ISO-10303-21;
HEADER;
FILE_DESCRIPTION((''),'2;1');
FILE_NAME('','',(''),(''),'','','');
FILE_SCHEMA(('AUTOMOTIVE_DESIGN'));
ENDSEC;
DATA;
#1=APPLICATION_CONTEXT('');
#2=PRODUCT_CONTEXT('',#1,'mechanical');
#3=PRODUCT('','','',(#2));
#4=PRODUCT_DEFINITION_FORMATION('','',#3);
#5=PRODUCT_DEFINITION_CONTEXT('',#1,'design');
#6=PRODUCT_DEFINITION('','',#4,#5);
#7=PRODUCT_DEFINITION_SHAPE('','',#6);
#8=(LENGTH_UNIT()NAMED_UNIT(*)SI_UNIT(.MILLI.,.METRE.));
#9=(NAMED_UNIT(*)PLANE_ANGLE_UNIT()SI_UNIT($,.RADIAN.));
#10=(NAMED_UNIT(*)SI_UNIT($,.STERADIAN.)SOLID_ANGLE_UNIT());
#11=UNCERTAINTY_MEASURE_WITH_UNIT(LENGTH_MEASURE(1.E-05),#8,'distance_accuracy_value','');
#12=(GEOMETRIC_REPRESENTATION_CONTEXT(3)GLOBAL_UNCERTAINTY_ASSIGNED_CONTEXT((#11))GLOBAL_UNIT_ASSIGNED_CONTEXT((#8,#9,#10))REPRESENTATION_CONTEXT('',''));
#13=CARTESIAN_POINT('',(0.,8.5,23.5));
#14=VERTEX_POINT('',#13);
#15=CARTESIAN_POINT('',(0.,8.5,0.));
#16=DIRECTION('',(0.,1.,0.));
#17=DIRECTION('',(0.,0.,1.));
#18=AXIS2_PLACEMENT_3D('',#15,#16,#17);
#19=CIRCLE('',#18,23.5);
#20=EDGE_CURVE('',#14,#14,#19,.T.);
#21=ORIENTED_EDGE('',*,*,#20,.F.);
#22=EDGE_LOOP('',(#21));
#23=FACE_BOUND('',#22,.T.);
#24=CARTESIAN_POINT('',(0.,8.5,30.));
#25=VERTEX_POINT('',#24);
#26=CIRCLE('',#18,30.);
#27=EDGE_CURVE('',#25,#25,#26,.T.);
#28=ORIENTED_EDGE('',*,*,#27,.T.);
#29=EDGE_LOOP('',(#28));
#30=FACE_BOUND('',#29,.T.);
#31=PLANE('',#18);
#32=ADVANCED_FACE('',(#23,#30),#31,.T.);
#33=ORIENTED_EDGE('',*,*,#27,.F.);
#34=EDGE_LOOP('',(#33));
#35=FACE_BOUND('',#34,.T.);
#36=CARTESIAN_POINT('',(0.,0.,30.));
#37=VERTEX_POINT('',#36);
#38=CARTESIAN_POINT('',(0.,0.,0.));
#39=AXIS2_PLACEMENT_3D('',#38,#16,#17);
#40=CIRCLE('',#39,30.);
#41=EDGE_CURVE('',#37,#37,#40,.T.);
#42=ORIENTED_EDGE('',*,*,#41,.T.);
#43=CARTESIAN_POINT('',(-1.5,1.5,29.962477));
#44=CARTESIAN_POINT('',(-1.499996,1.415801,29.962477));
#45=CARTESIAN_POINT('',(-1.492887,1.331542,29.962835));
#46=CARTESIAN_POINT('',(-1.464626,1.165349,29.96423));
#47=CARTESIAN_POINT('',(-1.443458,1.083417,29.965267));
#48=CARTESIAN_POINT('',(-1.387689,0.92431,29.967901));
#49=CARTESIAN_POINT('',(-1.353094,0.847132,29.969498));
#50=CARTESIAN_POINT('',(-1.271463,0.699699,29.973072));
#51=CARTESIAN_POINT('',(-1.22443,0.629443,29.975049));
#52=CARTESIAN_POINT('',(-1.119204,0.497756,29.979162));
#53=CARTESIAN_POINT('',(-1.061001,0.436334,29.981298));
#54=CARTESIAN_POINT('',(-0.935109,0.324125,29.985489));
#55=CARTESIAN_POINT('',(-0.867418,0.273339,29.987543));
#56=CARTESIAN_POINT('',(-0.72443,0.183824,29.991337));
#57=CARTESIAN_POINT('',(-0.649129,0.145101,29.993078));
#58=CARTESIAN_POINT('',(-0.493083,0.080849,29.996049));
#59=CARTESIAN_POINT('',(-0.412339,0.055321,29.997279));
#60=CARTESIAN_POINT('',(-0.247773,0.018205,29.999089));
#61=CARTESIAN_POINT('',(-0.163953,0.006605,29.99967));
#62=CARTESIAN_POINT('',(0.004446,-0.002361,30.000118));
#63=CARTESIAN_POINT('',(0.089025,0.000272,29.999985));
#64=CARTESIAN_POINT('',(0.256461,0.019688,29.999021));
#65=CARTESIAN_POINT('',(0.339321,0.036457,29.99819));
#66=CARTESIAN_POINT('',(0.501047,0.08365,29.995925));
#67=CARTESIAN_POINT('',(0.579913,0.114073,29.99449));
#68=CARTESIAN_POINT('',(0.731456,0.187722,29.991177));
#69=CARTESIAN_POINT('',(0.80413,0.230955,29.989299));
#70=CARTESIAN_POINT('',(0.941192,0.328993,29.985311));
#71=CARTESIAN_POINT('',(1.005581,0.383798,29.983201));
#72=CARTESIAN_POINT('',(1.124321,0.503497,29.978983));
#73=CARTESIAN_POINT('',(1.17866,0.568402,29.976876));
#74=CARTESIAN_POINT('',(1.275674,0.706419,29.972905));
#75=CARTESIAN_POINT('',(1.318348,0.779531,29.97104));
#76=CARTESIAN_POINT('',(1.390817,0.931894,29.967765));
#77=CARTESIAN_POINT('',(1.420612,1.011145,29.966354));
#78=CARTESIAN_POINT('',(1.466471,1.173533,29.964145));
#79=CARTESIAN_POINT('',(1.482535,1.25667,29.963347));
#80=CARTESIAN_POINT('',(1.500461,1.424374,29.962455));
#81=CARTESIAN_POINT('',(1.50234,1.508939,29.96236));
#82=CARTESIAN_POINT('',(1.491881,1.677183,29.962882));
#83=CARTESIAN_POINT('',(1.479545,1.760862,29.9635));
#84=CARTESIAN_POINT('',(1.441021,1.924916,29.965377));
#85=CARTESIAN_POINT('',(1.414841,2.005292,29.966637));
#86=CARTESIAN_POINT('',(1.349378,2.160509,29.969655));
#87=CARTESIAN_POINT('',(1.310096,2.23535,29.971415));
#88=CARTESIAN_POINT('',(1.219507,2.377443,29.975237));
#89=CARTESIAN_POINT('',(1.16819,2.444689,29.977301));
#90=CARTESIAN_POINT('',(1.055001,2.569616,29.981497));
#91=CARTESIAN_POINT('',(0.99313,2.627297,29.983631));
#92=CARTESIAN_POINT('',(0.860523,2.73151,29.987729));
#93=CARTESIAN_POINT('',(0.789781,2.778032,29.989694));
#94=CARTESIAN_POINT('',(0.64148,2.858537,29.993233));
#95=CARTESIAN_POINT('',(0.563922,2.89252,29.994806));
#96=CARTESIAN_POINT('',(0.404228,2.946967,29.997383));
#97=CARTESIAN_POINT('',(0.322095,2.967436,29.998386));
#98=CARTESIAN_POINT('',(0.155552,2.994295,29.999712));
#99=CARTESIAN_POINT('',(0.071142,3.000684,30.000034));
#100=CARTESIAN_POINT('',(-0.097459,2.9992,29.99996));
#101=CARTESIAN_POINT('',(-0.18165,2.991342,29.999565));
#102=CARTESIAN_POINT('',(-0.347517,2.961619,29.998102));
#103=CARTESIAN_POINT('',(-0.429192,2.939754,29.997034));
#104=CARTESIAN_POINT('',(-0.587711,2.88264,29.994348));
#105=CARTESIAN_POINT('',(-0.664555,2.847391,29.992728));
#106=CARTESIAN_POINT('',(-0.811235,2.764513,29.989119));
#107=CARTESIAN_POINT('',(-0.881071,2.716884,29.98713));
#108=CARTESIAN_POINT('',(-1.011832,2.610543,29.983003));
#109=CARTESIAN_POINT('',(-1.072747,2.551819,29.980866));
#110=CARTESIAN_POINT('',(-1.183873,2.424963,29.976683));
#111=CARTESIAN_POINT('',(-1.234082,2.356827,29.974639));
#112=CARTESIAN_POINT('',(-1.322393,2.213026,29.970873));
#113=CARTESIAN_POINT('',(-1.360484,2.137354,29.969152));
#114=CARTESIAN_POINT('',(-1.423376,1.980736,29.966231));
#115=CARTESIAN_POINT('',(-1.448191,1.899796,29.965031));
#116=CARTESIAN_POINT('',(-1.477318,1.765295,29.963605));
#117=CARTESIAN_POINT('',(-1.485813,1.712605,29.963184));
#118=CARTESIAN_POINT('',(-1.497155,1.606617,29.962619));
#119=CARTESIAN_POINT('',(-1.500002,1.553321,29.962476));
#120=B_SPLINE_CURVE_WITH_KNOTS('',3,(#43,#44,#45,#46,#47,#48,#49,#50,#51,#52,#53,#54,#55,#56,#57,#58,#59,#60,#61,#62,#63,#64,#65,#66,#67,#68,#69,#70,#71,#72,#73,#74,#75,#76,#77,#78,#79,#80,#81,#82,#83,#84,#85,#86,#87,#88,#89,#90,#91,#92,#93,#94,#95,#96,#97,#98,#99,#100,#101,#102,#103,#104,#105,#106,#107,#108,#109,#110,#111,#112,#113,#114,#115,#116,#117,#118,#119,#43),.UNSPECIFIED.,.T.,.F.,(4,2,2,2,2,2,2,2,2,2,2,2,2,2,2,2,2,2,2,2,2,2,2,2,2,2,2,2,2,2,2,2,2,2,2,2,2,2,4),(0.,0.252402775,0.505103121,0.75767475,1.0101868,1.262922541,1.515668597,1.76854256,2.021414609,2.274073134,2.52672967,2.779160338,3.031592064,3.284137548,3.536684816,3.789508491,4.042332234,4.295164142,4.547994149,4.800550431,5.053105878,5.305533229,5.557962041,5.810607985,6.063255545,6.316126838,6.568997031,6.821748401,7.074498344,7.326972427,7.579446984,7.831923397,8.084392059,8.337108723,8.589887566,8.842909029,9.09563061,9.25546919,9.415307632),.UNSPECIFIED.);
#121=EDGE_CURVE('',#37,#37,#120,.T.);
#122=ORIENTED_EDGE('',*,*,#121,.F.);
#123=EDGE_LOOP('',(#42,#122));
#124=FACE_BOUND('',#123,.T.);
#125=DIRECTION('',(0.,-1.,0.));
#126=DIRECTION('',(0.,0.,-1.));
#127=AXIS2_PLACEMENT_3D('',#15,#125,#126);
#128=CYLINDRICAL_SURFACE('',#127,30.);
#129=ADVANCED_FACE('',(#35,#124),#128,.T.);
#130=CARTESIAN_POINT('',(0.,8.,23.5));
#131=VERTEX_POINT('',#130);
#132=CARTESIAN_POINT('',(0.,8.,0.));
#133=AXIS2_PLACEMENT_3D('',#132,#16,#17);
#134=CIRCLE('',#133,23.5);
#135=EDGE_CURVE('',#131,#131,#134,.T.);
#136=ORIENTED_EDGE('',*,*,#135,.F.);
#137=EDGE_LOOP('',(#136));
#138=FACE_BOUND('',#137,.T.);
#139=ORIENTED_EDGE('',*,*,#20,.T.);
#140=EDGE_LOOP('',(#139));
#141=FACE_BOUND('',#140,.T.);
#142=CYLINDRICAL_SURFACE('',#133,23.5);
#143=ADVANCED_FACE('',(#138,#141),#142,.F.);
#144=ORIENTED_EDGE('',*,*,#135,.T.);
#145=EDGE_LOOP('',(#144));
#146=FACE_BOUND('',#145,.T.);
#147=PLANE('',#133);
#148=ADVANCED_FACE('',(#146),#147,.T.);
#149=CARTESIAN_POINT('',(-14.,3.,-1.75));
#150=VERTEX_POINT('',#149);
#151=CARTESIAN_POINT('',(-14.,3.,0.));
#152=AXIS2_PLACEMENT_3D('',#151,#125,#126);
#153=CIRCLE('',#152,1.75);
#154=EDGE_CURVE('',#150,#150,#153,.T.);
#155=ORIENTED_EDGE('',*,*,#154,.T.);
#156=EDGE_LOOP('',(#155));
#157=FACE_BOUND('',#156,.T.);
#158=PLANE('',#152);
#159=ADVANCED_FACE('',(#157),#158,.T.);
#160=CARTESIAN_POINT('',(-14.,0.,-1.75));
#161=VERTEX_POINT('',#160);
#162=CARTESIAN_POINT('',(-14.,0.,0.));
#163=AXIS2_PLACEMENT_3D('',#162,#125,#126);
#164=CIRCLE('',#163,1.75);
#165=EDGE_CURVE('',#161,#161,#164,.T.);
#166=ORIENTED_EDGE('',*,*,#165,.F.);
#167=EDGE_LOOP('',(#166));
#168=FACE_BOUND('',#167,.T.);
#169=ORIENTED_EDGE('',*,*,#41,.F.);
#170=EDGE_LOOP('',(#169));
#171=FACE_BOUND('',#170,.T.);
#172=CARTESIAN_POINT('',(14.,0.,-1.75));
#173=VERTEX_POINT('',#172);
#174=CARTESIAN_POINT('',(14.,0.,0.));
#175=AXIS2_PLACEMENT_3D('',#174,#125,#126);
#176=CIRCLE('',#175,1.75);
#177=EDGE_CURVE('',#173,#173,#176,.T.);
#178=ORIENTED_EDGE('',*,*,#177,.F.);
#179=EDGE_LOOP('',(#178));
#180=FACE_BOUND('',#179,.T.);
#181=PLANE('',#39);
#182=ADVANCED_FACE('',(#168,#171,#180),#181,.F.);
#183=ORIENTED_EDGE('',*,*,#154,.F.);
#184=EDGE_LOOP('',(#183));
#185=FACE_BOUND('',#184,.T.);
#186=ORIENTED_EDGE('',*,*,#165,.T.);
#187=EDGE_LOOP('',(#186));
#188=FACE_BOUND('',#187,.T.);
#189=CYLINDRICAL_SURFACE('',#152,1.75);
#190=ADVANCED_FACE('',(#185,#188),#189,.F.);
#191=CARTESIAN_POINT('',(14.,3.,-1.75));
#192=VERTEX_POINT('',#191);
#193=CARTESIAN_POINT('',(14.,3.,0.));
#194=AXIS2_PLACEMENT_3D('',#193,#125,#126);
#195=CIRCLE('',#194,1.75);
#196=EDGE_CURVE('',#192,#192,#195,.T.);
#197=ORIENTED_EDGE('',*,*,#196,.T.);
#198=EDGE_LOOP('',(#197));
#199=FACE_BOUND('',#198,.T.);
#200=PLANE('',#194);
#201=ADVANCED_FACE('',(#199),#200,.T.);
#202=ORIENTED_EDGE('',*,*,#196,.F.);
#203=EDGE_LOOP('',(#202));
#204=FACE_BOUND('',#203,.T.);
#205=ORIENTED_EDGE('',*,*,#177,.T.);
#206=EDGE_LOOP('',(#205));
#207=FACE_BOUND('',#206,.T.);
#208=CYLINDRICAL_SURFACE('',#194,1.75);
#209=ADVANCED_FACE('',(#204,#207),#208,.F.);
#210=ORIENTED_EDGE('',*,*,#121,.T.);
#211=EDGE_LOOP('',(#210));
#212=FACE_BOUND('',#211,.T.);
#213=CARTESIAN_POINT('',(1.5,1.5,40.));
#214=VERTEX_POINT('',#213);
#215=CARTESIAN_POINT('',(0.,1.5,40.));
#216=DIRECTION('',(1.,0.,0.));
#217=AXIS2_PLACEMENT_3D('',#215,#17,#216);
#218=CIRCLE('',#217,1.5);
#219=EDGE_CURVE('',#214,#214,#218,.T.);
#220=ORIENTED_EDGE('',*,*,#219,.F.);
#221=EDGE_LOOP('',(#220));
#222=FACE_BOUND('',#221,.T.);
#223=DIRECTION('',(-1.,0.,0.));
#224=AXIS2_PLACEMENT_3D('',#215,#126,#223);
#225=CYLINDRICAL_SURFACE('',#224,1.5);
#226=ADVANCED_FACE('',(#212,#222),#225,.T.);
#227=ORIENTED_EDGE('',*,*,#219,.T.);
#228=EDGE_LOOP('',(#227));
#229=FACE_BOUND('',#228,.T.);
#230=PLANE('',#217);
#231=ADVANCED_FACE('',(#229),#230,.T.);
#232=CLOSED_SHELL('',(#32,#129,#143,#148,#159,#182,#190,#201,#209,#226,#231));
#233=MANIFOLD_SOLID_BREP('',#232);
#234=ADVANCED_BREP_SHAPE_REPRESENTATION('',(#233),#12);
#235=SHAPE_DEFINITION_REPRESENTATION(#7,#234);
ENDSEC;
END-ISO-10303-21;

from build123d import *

# Parameters (mm, degrees)
SKETCH_1_R          = 30
EXTRUDE_1_DEPTH     = 8.5
SKETCH_2_R          = 23.5
CUT_EXTRUDE_1_DEPTH = 0.5
SKETCH_3_R          = 1.5
EXTRUDE_2_DEPTH     = 15
SKETCH_4_R          = 1.75
CUT_EXTRUDE_2_DEPTH = 3


with BuildPart() as part:
    # 草图1 → 凸台-拉伸1 (new body)
    with BuildSketch(Plane(origin=(0, 0, 0), x_dir=(1, 0, 0), z_dir=(0, 1, 0))):
        Circle(SKETCH_1_R)
    extrude(amount=EXTRUDE_1_DEPTH)

    # 草图2 → 切除-拉伸1 (cut)
    with BuildSketch(Plane(origin=(0, 8.5, 0), x_dir=(1, 0, 0), z_dir=(0, 1, 0))):
        Circle(SKETCH_2_R)
    extrude(amount=-CUT_EXTRUDE_1_DEPTH, mode=Mode.SUBTRACT)

    # 草图3 → 凸台-拉伸2 (add)
    with BuildSketch(Plane.XY.offset(25)):
        with Locations((0, 1.5)):
            Circle(SKETCH_3_R)
    extrude(amount=EXTRUDE_2_DEPTH)

    # 草图4 → 切除-拉伸2 (cut)
    with BuildSketch(Plane.XZ):
        with Locations((-14, 0)):
            Circle(SKETCH_4_R)
        with Locations((14, 0)):
            Circle(SKETCH_4_R)
    extrude(amount=-CUT_EXTRUDE_2_DEPTH, mode=Mode.SUBTRACT)


solid = part.part
